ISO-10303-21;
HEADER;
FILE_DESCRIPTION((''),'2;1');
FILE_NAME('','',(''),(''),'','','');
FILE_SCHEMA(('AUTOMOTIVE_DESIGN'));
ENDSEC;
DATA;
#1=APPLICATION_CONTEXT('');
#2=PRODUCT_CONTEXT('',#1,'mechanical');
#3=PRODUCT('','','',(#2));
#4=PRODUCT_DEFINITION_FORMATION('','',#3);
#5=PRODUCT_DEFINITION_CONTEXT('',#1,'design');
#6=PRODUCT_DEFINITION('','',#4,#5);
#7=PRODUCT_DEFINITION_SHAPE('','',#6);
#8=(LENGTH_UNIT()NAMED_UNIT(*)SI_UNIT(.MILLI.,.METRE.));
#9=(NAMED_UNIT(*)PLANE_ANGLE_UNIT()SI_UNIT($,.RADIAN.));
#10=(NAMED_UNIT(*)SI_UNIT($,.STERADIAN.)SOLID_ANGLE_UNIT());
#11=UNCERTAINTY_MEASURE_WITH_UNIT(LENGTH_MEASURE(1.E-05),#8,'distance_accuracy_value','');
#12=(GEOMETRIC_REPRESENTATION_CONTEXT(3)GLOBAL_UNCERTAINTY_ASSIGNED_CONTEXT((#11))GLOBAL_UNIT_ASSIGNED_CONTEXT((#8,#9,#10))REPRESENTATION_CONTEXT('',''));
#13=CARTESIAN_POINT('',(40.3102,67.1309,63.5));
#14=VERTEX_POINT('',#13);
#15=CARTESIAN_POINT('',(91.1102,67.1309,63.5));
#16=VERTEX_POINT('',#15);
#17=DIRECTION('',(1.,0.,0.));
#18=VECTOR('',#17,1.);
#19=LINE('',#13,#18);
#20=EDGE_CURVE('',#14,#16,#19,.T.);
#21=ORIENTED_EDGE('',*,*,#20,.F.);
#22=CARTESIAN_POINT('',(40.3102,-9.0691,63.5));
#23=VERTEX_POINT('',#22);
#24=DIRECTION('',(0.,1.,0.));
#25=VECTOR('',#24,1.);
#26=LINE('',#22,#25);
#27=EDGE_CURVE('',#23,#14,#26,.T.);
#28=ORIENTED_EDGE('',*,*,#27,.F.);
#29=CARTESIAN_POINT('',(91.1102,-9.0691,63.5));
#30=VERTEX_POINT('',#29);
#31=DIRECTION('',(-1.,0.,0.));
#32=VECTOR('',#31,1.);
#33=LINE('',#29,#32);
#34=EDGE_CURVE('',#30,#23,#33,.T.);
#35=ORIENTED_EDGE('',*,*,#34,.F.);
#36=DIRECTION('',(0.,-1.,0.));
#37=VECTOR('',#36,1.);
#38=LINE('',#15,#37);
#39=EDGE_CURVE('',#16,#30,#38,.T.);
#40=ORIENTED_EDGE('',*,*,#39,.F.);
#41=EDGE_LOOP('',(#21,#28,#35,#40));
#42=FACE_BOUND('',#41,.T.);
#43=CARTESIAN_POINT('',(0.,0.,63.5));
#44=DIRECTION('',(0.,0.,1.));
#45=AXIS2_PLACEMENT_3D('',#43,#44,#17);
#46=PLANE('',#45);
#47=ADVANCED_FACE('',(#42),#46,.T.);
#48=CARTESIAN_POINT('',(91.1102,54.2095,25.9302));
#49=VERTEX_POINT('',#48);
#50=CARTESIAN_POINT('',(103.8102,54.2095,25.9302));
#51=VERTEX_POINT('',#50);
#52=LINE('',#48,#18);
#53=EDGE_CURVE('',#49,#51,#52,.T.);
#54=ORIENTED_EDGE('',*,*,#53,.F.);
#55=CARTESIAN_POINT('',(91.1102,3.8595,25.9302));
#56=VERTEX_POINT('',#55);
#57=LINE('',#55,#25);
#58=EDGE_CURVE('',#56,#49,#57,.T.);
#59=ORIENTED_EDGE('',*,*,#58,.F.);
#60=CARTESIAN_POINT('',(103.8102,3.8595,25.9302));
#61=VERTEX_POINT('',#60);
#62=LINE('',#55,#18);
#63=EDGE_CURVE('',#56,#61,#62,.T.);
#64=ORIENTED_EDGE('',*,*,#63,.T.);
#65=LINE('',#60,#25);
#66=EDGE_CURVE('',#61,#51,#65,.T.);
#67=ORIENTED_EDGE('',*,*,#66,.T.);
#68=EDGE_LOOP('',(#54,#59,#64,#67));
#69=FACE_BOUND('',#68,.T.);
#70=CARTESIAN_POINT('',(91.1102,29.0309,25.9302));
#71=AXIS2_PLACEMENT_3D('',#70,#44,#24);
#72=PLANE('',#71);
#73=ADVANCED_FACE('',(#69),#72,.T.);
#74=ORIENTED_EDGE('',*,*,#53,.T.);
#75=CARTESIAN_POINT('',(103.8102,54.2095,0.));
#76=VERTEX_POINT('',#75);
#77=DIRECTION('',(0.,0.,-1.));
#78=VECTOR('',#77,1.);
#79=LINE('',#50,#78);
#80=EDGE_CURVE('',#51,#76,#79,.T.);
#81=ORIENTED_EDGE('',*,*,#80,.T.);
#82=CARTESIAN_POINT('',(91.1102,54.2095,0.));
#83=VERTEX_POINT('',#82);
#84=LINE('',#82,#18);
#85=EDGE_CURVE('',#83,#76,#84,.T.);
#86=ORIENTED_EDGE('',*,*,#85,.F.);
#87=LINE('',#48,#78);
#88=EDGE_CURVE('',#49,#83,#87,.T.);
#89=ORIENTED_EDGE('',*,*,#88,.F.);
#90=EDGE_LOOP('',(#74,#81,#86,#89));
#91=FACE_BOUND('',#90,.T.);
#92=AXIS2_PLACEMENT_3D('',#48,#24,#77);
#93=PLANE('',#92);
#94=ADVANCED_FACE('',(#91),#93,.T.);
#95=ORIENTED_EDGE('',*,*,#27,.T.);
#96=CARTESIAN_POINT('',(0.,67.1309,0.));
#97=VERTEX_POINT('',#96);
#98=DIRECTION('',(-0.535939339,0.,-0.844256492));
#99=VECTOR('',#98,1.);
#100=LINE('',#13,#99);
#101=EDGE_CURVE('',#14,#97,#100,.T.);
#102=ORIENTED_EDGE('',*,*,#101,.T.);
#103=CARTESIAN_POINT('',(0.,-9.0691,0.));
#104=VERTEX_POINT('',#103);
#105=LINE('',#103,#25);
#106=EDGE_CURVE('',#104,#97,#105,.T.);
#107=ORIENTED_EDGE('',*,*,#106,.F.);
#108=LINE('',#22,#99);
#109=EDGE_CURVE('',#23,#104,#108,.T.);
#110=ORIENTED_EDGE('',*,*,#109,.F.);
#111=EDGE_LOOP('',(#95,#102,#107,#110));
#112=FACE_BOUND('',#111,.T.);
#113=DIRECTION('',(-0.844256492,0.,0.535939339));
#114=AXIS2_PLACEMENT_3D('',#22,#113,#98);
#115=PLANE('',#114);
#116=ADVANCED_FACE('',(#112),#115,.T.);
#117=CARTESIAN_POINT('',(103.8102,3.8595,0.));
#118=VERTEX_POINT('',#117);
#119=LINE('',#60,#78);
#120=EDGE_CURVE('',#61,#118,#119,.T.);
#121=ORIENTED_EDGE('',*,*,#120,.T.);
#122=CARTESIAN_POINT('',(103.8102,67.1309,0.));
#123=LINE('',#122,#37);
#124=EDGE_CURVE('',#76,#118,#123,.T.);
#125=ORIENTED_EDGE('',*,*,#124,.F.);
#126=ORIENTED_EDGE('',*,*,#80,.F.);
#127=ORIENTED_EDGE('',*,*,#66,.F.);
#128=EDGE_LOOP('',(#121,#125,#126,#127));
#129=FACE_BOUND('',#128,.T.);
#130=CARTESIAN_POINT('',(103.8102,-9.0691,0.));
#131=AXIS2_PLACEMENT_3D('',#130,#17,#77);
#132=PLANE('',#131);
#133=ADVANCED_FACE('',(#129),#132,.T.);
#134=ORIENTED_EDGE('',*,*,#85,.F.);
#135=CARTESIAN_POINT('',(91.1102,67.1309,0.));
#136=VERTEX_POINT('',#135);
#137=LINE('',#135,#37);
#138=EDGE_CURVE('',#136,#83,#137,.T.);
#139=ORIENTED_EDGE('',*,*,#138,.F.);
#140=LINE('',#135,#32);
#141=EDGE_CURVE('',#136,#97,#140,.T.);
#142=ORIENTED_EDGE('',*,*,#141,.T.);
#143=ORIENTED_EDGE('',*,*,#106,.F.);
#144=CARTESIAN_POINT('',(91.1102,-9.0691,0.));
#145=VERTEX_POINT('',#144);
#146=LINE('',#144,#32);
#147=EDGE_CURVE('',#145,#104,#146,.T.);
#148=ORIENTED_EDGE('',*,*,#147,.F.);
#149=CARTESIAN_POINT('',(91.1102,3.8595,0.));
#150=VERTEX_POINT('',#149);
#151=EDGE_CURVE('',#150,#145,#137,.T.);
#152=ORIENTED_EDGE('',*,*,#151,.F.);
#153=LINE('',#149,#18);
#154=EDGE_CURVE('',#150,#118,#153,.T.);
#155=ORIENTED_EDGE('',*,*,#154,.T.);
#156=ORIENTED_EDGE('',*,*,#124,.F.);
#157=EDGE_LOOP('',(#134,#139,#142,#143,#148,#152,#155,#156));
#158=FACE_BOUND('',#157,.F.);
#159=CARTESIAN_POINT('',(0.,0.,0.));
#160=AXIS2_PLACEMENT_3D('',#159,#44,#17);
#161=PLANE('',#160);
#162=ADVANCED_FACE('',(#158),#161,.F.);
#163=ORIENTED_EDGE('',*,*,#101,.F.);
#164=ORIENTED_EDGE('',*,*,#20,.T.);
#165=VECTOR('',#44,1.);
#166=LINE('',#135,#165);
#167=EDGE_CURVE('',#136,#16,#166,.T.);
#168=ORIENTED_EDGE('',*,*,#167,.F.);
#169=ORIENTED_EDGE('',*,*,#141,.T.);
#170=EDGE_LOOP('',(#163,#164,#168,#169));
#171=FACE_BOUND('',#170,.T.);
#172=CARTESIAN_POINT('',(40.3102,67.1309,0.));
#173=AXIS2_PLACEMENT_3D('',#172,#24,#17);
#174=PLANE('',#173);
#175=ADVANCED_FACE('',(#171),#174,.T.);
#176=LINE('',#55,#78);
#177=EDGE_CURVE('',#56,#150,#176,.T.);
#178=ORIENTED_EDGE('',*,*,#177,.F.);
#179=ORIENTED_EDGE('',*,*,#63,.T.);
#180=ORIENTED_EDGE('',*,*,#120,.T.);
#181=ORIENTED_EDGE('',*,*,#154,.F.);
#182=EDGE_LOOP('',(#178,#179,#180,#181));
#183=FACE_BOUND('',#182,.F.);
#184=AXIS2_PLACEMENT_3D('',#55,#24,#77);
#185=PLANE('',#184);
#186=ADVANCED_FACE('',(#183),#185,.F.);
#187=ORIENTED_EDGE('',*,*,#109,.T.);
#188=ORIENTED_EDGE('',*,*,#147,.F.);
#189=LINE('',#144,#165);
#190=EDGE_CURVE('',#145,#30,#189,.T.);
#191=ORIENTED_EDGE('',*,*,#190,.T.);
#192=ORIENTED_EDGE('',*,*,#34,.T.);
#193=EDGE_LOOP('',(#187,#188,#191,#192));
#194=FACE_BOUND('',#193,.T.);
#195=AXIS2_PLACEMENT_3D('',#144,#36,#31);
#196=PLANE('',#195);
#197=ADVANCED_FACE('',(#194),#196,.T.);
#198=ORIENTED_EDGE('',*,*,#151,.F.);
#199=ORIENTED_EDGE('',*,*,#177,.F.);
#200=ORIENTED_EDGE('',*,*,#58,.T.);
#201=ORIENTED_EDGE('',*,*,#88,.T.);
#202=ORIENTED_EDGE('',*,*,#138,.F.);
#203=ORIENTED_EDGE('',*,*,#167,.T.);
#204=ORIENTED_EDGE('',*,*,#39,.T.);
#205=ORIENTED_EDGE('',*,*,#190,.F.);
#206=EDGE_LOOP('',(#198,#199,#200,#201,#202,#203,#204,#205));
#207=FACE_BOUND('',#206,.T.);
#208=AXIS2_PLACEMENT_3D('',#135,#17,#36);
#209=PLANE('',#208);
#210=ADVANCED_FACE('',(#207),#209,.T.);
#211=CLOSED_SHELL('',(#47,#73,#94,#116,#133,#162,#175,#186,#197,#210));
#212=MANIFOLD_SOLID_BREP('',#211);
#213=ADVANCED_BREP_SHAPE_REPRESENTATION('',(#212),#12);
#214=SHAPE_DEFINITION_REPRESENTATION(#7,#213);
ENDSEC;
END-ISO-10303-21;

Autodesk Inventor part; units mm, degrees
ref_plane "YZ Plane" through (0, 0, 0) normal (1, 0, 0) x (0, 1, 0)
ref_plane "XZ Plane" through (0, 0, 0) normal (0, 1, 0) x (-1, 0, 0)
ref_plane "XY Plane" through (0, 0, 0) normal (0, 0, 1) x (1, 0, 0)
sketch "Sketch1" plane through (0, 0, 0) normal (0, 0, 1) x (1, 0, 0)
  line L0 (40.3102, 67.1309) -> (91.1102, 67.1309)
  line L1 (91.1102, 67.1309) -> (91.1102, -9.0691)
  line L2 (91.1102, -9.0691) -> (40.3102, -9.0691)
  line L3 (40.3102, -9.0691) -> (40.3102, 67.1309)
  point P0 (0, 0)
  dimension "d0" = 50.8
  dimension "d1" = 76.2
extrude "Extrusion1" add sketch "Sketch1" along normal blind 63.5
sketch "Sketch2" plane through (40.3102, -9.0691, 0) normal (0, -1, 0) x (1, 0, 0)
  line L0 (0, 0) -> (0, 63.5) projected
  line L1 (50.8, 63.5) -> (0, 63.5) projected
  line L2 (0, 0) -> (50.8, 0) projected
  line L3 (0, 0) -> (-40.3102, 0)
  line L4 (0, 63.5) -> (-40.3102, 0)
extrude "Extrusion2" add sketch "Sketch2" against normal blind 76.2
sketch "Sketch6" plane through (91.1102, -9.0691, 0) normal (1, 0, 0) x (0, 0, -1)
  line L0 (-63.5, 0) -> (-63.5, 76.2) projected
  line L1 (0, 76.2) -> (0, 0) projected
  line L2 (-25.9302, 38.1) -> (-25.9302, 63.2786)
  line L3 (-25.9302, 63.2786) -> (0, 63.2786)
  line L4 (-25.9302, 38.1) -> (-25.9302, 12.9286)
  line L5 (-25.9302, 38.1) -> (-0.7588, 38.1) construction
  line L6 (-25.9302, 12.9286) -> (0, 12.9286)
  point P0 (0, 9.0691)
  dimension "d11" = 25.1714
  dimension "d12" = 90
  dimension "d13" = 50.35
  dimension "d14" = 25.9302
extrude "Extrusion3" add sketch "Sketch6" along normal blind 12.7
properties part number "mcdave_summo_robot"
